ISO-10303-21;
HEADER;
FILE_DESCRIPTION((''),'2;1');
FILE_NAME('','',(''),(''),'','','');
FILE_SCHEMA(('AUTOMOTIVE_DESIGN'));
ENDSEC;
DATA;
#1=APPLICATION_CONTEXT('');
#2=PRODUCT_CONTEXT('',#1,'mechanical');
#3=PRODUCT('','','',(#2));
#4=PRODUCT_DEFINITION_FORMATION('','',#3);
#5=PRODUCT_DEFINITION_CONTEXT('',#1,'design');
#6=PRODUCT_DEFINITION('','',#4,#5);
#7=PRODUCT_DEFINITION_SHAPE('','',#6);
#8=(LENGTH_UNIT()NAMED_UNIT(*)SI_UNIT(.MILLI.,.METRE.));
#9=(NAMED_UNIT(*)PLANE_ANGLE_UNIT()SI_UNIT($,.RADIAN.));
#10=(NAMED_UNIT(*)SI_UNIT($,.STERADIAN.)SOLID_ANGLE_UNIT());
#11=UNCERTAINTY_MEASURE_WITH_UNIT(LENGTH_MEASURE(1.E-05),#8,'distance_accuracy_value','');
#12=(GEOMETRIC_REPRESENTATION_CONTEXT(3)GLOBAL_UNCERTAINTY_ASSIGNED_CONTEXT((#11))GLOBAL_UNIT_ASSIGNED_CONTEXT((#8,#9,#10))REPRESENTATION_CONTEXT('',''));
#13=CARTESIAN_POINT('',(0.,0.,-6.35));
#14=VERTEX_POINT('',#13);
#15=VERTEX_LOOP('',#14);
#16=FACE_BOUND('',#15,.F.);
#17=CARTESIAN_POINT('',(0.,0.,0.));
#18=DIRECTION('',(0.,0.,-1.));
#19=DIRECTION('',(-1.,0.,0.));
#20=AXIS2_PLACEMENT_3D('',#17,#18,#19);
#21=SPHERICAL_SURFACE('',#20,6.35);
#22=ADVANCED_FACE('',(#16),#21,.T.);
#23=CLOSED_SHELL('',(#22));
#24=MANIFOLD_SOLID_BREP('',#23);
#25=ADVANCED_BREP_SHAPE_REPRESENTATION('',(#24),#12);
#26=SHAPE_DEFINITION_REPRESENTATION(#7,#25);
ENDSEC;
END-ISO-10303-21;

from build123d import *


with BuildPart() as part:
    # Sketch1 → Revolve3 (revolve)
    with BuildSketch(Plane(origin=(0, 0, 0), x_dir=(1, 0, 0), z_dir=(0, 1, 0))):
        with BuildLine():
            Line((0, 6.35), (0, -6.35))
            ThreePointArc((0, -6.35), (-6.35, 0), (0, 6.35))
        make_face()
    revolve(axis=Axis((0, 0, -6.35), (0, 0, 1)))


solid = part.part
